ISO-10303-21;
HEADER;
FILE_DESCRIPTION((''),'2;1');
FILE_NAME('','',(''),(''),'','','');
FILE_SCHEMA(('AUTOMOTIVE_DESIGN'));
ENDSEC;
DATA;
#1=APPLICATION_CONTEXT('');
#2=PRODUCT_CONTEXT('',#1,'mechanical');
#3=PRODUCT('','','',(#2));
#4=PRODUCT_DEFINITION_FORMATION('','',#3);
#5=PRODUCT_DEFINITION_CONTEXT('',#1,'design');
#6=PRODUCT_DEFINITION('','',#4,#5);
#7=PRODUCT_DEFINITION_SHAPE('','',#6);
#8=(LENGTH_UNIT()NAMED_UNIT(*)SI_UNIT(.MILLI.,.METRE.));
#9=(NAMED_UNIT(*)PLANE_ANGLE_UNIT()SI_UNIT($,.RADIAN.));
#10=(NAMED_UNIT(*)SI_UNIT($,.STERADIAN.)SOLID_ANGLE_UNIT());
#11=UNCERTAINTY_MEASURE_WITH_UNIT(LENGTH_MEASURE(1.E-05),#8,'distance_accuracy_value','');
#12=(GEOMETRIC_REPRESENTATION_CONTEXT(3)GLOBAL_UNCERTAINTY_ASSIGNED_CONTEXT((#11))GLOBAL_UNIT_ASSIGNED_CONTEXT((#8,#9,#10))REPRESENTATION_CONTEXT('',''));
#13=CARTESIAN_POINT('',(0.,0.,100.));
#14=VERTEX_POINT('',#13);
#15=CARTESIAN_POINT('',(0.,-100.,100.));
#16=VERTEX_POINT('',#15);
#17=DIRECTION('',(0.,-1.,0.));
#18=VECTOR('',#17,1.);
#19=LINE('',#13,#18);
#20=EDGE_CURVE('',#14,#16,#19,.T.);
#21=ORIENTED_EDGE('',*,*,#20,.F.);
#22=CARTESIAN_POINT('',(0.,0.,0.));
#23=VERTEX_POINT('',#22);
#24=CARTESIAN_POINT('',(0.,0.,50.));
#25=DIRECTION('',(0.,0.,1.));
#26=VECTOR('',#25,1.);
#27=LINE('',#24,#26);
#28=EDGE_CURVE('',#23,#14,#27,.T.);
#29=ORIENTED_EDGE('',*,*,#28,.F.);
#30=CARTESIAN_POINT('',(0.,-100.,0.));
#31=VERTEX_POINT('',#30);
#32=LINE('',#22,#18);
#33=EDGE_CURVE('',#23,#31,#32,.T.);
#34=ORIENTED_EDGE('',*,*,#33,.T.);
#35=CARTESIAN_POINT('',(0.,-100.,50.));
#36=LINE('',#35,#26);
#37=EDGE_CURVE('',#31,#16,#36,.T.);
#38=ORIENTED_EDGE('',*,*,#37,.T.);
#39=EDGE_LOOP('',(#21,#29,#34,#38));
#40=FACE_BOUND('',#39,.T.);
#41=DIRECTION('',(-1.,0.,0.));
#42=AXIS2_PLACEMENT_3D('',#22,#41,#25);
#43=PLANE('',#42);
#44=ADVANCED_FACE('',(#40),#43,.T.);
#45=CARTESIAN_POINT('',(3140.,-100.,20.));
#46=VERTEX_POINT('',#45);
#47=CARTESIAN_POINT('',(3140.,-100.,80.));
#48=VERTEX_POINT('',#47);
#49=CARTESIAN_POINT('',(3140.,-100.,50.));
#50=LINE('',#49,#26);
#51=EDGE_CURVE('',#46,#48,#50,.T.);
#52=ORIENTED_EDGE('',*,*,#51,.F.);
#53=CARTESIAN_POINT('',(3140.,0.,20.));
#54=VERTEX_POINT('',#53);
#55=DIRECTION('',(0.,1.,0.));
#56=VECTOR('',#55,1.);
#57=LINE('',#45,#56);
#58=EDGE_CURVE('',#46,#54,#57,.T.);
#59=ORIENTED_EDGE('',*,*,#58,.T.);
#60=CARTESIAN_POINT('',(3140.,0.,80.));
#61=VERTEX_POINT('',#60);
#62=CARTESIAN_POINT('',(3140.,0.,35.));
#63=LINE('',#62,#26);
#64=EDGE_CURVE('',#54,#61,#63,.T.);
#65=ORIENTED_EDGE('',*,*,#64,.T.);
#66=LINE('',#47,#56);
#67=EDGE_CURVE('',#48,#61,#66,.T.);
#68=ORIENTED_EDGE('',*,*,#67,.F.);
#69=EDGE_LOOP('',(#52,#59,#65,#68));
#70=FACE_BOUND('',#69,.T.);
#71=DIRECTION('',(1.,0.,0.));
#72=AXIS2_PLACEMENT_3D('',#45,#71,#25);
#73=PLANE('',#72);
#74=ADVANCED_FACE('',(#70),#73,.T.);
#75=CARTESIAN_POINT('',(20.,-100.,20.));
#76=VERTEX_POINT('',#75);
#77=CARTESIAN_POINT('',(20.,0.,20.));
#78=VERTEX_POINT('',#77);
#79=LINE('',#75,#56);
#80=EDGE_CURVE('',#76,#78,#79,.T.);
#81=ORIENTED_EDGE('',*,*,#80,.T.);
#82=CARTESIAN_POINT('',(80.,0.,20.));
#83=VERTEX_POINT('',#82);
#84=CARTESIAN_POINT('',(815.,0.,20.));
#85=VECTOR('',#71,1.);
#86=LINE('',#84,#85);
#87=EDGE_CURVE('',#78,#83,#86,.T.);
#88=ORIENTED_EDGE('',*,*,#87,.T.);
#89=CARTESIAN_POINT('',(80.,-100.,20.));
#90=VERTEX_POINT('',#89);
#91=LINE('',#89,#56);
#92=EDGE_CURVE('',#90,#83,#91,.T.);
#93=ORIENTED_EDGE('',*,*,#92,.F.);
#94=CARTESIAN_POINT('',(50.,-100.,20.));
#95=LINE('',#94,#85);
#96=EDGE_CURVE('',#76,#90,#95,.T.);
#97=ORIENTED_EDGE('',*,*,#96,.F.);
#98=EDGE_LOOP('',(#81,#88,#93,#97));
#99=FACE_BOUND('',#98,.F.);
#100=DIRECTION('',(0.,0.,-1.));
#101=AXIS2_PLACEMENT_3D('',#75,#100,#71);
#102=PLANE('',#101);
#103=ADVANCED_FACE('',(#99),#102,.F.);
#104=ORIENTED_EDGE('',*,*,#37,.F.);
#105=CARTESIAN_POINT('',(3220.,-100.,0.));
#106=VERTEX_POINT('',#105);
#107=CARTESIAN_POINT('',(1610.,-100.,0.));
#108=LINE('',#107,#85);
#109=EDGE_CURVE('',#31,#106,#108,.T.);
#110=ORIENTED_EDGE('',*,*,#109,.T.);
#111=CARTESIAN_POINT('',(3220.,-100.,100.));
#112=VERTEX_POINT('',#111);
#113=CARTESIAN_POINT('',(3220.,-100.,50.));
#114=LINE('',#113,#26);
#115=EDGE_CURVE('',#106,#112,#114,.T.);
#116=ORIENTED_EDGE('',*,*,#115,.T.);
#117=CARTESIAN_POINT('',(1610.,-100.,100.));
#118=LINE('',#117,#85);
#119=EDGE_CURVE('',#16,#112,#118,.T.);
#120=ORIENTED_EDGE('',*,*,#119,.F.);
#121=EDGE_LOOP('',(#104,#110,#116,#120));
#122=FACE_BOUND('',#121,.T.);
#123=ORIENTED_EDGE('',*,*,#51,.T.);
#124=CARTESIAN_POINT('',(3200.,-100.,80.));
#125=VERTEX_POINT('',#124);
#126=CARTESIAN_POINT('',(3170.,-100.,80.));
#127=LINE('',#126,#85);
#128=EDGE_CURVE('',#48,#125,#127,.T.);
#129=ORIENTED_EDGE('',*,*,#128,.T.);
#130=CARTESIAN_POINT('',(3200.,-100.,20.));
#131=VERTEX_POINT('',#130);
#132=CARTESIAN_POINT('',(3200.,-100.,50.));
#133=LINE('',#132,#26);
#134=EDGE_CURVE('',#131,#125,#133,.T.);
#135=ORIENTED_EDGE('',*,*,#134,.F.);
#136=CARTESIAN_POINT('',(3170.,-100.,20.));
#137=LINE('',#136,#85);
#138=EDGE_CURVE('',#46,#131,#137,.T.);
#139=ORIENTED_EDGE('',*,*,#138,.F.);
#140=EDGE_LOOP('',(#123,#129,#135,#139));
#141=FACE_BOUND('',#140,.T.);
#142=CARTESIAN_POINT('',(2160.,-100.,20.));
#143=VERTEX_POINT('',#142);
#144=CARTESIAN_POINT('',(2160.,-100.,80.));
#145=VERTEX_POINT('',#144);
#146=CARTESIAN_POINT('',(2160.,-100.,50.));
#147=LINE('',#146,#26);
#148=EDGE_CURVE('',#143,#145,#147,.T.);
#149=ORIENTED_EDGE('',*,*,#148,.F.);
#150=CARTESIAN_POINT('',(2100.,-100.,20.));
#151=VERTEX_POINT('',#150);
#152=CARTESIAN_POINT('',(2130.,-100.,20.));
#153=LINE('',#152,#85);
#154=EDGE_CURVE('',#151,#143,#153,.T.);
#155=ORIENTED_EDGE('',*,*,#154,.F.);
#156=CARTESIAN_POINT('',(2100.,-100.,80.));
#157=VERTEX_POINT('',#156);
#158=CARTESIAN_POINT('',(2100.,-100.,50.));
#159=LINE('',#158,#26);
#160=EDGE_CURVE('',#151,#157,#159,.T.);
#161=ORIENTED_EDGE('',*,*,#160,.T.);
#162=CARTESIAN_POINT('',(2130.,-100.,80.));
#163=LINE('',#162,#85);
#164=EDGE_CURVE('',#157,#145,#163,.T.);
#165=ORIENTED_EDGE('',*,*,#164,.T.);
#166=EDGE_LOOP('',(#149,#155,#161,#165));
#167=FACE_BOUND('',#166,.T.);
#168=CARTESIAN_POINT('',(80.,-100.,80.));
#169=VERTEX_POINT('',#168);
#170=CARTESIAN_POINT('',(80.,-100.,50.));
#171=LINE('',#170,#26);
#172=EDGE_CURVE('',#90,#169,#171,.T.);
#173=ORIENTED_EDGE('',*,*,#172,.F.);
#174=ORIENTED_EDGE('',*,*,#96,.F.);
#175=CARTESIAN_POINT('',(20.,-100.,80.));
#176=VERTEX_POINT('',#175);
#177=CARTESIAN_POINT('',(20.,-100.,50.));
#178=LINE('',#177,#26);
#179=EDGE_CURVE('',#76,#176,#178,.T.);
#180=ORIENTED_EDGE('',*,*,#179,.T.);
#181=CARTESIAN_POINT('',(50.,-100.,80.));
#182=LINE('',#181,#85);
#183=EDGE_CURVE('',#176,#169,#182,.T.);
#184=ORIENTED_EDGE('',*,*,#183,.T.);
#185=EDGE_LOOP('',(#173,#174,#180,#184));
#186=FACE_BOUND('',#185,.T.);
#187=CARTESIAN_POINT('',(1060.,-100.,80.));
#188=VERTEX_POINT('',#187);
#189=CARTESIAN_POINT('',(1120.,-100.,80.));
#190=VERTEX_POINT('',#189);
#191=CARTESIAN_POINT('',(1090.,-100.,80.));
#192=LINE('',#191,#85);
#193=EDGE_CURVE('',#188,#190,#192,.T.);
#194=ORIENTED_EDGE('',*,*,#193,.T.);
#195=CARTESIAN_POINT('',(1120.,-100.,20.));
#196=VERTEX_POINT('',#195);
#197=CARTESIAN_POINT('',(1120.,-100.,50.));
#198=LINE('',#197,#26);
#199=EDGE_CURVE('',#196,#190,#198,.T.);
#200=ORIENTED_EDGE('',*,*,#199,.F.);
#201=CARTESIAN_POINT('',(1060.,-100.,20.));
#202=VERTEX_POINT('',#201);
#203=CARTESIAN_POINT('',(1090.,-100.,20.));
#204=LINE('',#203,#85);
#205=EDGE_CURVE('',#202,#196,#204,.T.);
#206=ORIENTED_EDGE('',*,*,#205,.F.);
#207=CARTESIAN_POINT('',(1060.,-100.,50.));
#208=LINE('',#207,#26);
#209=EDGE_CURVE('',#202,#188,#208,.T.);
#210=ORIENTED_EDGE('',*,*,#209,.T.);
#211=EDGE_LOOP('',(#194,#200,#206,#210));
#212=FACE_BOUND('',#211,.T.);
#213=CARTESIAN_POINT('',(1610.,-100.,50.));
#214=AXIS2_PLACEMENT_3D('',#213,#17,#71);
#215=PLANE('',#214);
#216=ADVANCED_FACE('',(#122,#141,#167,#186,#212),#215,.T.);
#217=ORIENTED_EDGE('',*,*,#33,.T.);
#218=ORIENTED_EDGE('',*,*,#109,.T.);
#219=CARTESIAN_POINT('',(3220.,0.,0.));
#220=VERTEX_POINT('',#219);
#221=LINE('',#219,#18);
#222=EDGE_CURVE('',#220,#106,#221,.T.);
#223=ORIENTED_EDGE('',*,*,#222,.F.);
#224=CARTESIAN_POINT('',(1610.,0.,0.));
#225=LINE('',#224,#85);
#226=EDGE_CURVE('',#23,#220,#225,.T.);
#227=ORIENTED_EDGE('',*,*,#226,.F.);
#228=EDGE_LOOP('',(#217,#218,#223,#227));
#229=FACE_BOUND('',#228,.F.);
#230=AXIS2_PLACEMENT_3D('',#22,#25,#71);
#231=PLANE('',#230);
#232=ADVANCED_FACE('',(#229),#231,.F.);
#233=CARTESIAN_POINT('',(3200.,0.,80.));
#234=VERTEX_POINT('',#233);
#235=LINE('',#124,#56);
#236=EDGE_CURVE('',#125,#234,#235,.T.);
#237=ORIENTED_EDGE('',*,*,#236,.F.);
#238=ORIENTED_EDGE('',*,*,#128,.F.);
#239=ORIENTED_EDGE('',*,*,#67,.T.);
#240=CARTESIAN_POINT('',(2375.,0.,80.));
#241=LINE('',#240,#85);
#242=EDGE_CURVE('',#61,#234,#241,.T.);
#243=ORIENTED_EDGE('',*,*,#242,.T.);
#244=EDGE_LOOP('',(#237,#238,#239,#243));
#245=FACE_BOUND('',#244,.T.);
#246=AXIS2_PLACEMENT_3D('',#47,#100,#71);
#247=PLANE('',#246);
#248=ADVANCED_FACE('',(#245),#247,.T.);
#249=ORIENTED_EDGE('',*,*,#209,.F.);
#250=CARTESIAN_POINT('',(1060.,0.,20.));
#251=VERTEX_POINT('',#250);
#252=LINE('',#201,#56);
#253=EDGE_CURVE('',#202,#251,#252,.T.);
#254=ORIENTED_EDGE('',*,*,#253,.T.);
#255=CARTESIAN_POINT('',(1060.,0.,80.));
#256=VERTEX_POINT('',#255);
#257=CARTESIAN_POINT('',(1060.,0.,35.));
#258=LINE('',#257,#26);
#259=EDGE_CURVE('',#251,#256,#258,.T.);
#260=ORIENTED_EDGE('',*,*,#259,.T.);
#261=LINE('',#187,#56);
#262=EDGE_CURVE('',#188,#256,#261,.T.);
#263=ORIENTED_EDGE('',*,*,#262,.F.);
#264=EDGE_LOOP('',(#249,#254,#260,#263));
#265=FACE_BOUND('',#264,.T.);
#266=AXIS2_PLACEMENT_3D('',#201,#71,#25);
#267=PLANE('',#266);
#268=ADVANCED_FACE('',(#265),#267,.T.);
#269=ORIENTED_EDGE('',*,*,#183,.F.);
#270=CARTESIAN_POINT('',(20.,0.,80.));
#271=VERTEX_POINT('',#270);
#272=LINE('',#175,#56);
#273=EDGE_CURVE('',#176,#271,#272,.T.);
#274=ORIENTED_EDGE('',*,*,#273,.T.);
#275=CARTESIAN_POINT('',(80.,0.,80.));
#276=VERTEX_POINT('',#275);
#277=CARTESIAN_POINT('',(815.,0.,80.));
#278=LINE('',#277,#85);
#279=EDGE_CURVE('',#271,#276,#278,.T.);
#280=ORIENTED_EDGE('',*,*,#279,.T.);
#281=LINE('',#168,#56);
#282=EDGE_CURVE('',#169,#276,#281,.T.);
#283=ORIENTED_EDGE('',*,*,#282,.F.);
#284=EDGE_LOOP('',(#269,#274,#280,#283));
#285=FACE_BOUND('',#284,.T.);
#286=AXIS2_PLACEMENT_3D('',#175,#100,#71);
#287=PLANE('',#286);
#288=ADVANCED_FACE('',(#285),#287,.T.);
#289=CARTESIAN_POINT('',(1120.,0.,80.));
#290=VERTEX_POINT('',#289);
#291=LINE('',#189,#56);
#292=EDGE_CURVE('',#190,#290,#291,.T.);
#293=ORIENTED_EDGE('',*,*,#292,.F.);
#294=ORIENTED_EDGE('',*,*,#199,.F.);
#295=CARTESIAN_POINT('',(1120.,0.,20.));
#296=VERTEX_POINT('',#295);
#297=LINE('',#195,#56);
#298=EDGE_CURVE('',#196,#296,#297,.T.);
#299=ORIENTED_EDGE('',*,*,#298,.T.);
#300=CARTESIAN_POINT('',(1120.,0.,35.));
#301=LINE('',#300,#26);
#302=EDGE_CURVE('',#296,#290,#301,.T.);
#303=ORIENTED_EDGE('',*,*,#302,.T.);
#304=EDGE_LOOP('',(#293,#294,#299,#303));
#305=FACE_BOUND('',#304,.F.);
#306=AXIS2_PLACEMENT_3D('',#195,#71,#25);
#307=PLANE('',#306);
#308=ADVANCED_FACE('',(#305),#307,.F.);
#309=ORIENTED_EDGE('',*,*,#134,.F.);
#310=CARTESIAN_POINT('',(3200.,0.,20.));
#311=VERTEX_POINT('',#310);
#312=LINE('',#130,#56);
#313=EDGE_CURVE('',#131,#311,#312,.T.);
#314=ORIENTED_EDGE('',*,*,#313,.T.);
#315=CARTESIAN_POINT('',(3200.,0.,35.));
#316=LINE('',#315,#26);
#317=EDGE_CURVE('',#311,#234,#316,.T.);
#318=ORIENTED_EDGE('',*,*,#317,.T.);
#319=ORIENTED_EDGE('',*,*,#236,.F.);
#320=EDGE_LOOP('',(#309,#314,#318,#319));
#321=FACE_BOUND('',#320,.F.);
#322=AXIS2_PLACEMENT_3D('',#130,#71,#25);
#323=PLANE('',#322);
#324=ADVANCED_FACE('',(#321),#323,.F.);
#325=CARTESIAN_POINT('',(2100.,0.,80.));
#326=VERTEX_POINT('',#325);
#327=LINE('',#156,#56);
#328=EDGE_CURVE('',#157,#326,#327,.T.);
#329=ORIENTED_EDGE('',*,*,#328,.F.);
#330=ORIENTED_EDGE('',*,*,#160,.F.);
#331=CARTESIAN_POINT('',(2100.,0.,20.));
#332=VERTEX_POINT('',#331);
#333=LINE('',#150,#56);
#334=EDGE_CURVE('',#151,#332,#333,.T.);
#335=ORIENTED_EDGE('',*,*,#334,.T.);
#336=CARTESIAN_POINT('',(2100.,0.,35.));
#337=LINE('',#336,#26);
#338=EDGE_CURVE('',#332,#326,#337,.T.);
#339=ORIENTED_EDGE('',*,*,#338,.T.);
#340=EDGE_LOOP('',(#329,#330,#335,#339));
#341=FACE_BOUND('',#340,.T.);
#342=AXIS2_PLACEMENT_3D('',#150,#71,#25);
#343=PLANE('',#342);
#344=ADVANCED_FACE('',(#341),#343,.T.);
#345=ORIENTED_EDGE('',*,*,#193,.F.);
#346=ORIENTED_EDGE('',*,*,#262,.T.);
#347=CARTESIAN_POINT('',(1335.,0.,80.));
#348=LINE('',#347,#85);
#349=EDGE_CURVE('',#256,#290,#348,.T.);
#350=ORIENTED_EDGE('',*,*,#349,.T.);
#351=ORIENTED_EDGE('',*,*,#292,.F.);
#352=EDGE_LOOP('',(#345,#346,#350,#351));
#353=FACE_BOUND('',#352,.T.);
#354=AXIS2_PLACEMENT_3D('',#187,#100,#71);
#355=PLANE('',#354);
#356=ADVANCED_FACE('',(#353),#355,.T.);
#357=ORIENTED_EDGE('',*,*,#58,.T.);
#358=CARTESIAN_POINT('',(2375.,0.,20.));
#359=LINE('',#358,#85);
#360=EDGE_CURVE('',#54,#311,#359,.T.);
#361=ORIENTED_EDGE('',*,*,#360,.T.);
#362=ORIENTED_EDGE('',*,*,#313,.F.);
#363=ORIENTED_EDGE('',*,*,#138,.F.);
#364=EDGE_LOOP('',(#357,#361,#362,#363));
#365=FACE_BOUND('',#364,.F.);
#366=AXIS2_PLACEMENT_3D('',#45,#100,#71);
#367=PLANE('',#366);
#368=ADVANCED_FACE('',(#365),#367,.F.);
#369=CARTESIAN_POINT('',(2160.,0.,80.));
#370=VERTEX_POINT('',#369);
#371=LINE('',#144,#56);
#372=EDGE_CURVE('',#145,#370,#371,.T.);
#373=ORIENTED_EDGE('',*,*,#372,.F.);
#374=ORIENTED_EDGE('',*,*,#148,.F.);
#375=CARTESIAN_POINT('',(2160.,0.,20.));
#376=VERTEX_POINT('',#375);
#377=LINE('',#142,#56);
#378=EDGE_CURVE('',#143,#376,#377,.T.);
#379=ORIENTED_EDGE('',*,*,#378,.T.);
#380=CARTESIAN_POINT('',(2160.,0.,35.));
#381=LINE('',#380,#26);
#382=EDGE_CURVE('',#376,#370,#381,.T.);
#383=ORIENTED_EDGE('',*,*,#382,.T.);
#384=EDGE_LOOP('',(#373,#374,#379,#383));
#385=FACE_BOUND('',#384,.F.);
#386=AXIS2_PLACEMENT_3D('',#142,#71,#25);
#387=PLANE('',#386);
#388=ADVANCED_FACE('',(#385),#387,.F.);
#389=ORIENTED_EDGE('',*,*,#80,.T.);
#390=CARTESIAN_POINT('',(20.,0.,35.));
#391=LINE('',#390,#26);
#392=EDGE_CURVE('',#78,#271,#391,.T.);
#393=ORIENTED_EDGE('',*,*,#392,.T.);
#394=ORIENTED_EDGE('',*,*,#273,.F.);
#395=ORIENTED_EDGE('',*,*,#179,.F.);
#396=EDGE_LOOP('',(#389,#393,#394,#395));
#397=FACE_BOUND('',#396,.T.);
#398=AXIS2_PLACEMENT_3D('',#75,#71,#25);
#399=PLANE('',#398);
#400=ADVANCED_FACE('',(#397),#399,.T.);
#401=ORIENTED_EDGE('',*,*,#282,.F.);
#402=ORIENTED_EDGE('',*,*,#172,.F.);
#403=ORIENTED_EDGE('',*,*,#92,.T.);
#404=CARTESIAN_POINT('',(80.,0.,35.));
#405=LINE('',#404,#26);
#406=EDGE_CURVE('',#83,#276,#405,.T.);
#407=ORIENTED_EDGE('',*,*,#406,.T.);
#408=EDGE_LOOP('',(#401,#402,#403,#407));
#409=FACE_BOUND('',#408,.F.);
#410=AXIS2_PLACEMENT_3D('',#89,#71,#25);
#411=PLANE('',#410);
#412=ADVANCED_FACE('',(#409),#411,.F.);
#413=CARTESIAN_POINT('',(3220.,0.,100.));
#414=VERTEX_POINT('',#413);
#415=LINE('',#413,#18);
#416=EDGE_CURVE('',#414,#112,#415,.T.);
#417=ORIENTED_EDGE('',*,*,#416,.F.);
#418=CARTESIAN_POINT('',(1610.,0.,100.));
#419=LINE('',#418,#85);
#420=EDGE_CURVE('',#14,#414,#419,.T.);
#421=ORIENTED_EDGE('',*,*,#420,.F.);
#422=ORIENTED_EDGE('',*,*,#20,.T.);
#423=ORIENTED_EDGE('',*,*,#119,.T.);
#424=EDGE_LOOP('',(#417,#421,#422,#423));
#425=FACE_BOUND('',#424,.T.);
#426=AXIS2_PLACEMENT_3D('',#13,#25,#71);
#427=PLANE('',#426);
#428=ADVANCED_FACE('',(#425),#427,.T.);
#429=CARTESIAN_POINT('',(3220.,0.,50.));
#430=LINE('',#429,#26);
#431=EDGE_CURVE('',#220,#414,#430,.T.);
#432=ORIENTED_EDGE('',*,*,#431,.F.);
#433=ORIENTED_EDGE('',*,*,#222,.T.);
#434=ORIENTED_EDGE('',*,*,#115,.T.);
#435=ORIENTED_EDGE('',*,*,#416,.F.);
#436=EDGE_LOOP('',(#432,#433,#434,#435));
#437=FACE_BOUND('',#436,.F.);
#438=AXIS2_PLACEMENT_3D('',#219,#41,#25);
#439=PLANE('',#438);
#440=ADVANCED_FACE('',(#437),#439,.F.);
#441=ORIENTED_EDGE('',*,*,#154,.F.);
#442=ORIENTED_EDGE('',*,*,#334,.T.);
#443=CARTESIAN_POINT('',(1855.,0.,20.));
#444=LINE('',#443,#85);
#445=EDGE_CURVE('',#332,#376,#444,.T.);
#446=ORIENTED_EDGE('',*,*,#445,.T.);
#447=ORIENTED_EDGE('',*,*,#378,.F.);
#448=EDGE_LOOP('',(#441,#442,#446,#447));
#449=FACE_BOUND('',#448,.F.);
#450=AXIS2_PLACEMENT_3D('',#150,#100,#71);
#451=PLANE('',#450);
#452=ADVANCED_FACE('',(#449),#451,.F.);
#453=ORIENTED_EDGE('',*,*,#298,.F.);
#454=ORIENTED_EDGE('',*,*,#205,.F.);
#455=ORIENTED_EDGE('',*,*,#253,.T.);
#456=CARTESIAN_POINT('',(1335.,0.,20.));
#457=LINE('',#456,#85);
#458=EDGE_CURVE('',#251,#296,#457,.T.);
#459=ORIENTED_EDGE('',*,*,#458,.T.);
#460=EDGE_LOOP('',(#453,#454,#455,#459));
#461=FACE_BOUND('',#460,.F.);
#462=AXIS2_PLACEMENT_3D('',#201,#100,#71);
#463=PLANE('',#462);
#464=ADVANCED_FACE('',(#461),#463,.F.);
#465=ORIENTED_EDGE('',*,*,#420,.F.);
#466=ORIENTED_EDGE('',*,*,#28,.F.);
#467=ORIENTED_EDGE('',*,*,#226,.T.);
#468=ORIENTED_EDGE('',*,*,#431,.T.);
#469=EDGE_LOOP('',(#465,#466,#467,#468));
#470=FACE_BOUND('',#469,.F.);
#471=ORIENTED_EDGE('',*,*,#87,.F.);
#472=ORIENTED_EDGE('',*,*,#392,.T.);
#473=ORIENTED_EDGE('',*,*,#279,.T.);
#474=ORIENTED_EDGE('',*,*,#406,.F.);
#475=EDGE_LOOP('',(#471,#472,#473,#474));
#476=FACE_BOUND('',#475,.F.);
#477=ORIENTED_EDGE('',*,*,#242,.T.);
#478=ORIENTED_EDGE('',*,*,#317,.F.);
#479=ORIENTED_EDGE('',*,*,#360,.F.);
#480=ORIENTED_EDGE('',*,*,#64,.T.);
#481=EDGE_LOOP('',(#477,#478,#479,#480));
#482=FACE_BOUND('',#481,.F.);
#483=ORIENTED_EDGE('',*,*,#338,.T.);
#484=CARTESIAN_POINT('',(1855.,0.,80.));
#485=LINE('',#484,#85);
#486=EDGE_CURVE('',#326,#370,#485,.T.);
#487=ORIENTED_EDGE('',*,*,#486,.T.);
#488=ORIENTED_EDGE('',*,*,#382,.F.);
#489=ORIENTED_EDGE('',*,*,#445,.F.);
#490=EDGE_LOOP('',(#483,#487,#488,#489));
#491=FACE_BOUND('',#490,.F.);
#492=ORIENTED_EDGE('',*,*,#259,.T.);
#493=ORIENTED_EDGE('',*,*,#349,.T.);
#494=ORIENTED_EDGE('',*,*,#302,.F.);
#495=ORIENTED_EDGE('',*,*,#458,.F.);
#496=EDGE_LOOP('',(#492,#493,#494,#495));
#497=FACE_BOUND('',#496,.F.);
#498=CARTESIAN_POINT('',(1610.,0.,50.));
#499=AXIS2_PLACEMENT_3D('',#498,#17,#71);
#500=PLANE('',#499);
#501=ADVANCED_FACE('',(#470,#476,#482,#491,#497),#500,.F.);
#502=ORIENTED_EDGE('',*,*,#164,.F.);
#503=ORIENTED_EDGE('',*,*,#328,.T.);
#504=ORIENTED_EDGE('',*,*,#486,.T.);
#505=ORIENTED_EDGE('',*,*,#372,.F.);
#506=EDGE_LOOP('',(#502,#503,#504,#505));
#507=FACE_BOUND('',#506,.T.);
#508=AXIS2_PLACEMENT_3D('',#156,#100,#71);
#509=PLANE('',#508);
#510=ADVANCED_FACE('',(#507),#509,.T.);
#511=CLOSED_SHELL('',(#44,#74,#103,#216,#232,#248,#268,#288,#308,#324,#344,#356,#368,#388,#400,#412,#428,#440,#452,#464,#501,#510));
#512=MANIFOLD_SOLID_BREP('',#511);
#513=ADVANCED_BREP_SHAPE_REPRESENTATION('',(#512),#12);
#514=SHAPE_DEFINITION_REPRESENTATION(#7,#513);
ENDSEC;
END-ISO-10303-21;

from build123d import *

# Parameters (mm, degrees)
F0_W     = 3220
F0_H     = 100
F1_DEPTH = 100
F2_W     = 60
F2_H     = 60
F3_DEPTH = 100.001


with BuildPart() as f1:
    # F0 (on Front) → F1 (new body)
    with BuildSketch(Plane.XZ):
        with Locations((1610, 50)):
            Rectangle(F0_W, F0_H)
    extrude(amount=F1_DEPTH)

    # F2 (on face) → F3 (cut, through all)
    with BuildSketch(Plane.XZ.offset(100)):
        with Locations((50, 50)):
            Rectangle(F2_W, F2_H)
        with Locations((1090, 50)):
            Rectangle(F2_W, F2_H)
        with Locations((2130, 50)):
            Rectangle(F2_W, F2_H)
        with Locations((3170, 50)):
            Rectangle(F2_W, F2_H)
    extrude(amount=-F3_DEPTH, mode=Mode.SUBTRACT)


solid = f1.part
